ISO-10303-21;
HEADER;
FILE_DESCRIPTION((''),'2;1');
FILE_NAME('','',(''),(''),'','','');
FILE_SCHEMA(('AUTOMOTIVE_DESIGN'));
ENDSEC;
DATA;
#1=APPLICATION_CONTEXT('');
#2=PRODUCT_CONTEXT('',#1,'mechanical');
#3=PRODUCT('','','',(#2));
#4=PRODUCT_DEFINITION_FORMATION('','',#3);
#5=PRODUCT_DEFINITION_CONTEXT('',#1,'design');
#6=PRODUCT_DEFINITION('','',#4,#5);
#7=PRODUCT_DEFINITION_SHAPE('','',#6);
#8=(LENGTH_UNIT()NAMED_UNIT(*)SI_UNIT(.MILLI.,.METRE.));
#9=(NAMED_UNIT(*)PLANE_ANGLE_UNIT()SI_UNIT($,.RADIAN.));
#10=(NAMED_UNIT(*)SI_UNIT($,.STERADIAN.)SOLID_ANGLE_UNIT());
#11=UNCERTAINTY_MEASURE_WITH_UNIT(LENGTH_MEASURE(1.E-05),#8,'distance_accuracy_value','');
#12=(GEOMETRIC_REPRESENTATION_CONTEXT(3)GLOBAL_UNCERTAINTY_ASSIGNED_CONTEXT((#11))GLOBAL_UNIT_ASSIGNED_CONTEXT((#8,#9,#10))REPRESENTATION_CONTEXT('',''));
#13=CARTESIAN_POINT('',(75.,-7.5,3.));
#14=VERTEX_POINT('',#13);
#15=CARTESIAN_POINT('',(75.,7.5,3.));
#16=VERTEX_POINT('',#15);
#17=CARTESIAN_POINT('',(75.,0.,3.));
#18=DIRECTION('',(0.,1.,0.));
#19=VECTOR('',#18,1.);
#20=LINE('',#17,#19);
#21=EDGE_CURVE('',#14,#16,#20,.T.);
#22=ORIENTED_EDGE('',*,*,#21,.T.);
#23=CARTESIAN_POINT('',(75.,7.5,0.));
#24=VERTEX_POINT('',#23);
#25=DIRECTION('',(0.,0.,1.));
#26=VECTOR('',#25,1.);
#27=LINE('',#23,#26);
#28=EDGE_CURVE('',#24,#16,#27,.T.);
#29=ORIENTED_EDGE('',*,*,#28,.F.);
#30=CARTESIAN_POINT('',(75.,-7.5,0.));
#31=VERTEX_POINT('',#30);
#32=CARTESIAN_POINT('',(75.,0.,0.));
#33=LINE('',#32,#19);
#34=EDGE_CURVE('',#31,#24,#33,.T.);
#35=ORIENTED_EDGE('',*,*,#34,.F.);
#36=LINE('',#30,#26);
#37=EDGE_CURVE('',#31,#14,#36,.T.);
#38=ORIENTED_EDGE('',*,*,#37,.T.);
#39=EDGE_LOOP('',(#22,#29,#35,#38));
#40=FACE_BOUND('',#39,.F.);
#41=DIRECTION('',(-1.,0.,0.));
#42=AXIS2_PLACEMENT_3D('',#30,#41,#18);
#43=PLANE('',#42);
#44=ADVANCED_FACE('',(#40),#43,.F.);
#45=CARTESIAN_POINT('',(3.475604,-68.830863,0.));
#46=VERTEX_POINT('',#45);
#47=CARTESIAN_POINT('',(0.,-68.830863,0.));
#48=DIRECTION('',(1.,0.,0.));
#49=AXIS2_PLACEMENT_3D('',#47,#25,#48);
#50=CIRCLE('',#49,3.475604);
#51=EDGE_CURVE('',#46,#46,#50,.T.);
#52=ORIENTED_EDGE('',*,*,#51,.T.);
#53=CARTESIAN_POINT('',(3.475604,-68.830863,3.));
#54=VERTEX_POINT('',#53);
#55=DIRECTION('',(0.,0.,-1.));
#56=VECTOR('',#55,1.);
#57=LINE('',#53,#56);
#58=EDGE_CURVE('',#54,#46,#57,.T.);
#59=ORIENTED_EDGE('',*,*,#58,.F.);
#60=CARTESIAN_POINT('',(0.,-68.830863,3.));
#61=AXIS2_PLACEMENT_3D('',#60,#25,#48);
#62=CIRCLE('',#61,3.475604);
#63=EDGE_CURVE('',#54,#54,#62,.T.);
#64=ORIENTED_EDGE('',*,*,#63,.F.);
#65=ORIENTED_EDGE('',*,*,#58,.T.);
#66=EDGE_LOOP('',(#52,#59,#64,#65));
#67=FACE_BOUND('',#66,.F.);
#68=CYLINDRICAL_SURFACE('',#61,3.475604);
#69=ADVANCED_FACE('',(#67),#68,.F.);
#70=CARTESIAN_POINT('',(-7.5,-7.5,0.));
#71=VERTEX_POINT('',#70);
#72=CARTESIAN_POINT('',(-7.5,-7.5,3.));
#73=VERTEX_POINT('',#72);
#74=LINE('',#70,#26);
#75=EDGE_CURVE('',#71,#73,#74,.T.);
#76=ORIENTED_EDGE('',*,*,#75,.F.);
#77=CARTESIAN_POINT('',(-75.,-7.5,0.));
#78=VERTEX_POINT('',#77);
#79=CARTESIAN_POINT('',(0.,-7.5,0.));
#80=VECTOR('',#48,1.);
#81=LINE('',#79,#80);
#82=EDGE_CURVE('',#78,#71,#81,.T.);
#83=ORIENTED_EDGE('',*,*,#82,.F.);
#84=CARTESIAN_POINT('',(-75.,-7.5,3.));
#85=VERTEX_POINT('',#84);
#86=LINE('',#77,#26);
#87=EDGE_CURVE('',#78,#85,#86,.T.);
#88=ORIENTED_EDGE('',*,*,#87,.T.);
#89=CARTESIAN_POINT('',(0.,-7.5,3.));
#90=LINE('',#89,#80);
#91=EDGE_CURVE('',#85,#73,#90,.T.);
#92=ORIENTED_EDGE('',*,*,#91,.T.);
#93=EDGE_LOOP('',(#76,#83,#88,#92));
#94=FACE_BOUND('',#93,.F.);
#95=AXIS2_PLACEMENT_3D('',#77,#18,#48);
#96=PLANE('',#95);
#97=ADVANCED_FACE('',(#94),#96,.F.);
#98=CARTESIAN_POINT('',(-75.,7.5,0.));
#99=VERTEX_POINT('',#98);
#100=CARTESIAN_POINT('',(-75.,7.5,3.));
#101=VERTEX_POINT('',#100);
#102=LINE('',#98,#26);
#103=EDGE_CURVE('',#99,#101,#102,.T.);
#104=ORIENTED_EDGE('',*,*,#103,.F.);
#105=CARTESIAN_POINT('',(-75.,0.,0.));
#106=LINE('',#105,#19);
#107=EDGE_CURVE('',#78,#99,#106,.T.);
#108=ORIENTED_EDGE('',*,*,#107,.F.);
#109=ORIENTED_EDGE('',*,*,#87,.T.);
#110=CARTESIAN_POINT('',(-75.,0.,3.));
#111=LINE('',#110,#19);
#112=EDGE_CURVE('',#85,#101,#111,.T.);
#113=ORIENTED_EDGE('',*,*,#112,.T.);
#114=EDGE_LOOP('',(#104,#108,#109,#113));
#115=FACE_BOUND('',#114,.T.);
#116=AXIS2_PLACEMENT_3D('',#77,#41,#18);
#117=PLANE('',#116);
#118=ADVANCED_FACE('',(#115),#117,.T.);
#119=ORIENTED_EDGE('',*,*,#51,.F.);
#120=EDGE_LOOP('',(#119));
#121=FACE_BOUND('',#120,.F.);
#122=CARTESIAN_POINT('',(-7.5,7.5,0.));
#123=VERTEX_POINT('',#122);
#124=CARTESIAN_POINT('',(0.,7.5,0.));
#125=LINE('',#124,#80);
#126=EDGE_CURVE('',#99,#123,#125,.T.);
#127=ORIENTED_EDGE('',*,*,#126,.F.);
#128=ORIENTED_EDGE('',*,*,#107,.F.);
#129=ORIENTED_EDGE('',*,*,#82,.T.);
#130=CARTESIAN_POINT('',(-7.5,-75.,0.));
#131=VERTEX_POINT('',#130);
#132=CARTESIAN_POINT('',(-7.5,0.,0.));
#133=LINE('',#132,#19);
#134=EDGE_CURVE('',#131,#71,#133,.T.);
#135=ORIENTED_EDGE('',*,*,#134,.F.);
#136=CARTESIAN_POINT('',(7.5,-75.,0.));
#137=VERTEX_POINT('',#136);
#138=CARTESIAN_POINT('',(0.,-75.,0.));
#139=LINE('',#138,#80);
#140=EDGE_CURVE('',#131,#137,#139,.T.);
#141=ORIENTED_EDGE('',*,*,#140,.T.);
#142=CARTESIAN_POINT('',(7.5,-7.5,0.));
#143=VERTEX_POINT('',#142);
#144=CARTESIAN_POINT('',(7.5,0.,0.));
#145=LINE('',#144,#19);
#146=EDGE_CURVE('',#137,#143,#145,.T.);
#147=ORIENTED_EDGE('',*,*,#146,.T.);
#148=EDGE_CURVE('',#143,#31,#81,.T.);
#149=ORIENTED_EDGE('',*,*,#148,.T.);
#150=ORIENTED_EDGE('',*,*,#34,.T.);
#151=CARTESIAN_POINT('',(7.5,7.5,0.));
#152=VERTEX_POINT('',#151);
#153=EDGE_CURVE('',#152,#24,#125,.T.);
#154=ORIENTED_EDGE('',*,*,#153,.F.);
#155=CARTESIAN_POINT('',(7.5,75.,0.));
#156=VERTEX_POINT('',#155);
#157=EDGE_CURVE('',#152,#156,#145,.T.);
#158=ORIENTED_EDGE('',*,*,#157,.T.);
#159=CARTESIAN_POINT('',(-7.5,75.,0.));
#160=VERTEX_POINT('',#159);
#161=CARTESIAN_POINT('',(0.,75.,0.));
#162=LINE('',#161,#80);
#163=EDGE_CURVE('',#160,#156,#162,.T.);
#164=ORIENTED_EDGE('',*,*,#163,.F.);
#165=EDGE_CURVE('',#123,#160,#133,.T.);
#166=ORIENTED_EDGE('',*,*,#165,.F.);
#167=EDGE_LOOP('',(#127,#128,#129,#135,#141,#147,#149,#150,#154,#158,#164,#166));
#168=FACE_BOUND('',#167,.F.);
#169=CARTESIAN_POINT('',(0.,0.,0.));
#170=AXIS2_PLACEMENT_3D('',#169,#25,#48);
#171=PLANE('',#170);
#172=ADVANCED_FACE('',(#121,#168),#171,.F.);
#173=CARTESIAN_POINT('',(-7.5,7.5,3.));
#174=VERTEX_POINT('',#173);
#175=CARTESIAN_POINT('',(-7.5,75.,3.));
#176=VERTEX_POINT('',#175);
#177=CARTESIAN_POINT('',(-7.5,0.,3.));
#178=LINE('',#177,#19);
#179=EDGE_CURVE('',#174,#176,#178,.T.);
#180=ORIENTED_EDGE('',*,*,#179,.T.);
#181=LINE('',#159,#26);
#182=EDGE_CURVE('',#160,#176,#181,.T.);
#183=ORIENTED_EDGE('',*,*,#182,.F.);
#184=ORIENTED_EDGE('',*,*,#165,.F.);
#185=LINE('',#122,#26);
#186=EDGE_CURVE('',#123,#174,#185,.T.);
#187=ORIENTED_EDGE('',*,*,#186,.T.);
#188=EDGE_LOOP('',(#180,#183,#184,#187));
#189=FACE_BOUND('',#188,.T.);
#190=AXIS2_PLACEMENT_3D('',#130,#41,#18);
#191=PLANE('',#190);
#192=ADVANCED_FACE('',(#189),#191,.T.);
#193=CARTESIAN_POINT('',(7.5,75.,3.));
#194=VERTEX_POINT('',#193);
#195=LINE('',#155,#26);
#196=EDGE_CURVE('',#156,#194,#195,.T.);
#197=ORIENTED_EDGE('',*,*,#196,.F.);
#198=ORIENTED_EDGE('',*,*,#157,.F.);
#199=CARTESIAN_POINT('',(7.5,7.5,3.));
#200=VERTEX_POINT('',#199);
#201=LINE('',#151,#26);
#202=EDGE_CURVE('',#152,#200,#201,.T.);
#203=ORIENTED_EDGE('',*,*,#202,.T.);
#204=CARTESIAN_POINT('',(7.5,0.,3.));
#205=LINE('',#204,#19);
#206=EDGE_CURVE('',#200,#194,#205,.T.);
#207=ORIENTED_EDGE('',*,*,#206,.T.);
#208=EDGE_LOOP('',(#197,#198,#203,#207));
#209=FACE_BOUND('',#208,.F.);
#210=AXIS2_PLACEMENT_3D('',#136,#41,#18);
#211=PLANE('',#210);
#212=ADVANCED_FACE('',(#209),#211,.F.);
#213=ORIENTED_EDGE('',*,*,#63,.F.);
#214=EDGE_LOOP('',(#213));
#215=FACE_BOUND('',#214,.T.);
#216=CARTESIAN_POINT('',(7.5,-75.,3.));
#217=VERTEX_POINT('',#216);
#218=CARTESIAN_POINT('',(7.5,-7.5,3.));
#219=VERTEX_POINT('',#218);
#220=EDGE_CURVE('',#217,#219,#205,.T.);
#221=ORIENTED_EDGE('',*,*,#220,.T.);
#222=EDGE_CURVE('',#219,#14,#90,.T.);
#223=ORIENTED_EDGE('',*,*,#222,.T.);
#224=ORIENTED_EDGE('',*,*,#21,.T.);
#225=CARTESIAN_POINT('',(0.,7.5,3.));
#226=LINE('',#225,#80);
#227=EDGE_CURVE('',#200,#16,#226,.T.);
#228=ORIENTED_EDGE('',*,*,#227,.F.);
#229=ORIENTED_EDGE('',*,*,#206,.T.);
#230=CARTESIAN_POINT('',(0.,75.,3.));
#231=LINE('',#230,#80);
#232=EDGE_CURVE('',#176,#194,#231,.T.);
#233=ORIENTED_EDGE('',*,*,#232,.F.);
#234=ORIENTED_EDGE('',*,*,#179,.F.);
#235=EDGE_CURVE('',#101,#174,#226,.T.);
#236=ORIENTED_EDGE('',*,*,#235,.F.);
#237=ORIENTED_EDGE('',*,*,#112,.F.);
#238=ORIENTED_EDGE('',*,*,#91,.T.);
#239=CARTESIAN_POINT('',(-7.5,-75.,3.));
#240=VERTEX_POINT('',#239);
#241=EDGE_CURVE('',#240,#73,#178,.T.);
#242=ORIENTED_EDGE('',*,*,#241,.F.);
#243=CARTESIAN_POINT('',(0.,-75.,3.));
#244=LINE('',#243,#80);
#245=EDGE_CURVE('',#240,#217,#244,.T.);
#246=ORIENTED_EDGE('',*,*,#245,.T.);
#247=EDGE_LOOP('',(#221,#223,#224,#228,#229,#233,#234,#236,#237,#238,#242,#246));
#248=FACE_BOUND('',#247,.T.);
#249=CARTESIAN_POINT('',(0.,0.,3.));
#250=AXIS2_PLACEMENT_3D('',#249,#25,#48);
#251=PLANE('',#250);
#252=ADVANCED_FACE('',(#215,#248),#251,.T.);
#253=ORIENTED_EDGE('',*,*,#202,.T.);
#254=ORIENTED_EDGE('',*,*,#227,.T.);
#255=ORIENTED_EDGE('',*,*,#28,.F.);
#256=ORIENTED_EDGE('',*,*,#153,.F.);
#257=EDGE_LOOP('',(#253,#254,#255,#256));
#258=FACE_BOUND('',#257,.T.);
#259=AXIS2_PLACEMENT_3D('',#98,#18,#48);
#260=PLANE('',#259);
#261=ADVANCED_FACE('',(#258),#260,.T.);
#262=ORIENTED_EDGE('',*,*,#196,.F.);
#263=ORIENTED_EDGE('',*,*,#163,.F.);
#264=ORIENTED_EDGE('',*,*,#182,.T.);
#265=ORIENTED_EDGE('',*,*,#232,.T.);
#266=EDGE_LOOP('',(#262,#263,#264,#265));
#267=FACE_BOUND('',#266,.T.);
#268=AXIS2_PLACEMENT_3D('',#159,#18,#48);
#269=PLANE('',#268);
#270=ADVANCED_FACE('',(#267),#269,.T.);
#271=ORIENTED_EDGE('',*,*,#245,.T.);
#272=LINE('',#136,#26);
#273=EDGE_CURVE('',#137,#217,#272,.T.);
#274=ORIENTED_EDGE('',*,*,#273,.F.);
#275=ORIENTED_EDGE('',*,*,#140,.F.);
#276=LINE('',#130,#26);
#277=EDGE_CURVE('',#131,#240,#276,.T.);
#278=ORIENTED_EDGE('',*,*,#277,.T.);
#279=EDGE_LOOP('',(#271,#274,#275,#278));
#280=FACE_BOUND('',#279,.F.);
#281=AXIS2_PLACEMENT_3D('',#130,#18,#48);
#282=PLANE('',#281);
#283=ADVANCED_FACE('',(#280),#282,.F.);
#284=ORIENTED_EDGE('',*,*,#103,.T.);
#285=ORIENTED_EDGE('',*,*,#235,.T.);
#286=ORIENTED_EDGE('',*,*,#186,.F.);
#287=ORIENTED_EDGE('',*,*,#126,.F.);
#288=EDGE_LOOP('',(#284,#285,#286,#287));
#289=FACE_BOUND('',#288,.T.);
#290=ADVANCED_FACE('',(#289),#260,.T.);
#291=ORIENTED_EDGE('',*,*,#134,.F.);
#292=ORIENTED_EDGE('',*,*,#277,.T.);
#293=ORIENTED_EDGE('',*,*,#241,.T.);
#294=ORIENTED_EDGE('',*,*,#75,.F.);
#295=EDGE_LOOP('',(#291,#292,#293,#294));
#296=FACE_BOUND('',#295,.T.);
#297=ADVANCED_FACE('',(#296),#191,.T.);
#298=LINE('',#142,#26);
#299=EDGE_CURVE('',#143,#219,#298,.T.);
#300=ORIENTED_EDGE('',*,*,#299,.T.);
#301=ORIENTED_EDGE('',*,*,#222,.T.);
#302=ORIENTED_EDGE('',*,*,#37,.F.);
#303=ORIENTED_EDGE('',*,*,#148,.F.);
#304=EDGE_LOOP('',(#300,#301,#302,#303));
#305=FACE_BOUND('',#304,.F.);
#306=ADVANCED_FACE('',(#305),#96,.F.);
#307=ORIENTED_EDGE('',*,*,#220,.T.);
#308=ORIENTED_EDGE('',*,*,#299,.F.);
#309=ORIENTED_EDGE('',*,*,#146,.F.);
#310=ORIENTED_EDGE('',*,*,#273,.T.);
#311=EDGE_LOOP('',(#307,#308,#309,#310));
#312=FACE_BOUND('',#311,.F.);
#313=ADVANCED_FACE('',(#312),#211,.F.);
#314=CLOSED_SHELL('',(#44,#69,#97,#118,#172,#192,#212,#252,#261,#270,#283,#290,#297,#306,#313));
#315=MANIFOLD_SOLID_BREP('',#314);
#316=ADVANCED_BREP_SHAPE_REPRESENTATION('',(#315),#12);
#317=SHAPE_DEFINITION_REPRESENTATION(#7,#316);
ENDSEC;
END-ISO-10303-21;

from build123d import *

# Parameters (mm, degrees)
F0_W     = 150
F0_H     = 15
F1_DEPTH = 3
F2_W     = 15
F2_H     = 150
F3_DEPTH = 3
F4_R     = 3.475604
F5_DEPTH = 25


with BuildPart() as f1:
    # F0 (on Top) → F1 (new body)
    with BuildSketch(Plane.XY):
        Rectangle(F0_W, F0_H)
    extrude(amount=F1_DEPTH)

    # F2 (on Top) → F3 (join)
    with BuildSketch(Plane.XY):
        Rectangle(F2_W, F2_H)
    extrude(amount=F3_DEPTH)

    # F4 (on face) → F5 (cut)
    with BuildSketch(Plane.XY.offset(3)):
        with Locations((0, -68.830863)):
            Circle(F4_R)
    extrude(amount=-F5_DEPTH, mode=Mode.SUBTRACT)


solid = f1.part
